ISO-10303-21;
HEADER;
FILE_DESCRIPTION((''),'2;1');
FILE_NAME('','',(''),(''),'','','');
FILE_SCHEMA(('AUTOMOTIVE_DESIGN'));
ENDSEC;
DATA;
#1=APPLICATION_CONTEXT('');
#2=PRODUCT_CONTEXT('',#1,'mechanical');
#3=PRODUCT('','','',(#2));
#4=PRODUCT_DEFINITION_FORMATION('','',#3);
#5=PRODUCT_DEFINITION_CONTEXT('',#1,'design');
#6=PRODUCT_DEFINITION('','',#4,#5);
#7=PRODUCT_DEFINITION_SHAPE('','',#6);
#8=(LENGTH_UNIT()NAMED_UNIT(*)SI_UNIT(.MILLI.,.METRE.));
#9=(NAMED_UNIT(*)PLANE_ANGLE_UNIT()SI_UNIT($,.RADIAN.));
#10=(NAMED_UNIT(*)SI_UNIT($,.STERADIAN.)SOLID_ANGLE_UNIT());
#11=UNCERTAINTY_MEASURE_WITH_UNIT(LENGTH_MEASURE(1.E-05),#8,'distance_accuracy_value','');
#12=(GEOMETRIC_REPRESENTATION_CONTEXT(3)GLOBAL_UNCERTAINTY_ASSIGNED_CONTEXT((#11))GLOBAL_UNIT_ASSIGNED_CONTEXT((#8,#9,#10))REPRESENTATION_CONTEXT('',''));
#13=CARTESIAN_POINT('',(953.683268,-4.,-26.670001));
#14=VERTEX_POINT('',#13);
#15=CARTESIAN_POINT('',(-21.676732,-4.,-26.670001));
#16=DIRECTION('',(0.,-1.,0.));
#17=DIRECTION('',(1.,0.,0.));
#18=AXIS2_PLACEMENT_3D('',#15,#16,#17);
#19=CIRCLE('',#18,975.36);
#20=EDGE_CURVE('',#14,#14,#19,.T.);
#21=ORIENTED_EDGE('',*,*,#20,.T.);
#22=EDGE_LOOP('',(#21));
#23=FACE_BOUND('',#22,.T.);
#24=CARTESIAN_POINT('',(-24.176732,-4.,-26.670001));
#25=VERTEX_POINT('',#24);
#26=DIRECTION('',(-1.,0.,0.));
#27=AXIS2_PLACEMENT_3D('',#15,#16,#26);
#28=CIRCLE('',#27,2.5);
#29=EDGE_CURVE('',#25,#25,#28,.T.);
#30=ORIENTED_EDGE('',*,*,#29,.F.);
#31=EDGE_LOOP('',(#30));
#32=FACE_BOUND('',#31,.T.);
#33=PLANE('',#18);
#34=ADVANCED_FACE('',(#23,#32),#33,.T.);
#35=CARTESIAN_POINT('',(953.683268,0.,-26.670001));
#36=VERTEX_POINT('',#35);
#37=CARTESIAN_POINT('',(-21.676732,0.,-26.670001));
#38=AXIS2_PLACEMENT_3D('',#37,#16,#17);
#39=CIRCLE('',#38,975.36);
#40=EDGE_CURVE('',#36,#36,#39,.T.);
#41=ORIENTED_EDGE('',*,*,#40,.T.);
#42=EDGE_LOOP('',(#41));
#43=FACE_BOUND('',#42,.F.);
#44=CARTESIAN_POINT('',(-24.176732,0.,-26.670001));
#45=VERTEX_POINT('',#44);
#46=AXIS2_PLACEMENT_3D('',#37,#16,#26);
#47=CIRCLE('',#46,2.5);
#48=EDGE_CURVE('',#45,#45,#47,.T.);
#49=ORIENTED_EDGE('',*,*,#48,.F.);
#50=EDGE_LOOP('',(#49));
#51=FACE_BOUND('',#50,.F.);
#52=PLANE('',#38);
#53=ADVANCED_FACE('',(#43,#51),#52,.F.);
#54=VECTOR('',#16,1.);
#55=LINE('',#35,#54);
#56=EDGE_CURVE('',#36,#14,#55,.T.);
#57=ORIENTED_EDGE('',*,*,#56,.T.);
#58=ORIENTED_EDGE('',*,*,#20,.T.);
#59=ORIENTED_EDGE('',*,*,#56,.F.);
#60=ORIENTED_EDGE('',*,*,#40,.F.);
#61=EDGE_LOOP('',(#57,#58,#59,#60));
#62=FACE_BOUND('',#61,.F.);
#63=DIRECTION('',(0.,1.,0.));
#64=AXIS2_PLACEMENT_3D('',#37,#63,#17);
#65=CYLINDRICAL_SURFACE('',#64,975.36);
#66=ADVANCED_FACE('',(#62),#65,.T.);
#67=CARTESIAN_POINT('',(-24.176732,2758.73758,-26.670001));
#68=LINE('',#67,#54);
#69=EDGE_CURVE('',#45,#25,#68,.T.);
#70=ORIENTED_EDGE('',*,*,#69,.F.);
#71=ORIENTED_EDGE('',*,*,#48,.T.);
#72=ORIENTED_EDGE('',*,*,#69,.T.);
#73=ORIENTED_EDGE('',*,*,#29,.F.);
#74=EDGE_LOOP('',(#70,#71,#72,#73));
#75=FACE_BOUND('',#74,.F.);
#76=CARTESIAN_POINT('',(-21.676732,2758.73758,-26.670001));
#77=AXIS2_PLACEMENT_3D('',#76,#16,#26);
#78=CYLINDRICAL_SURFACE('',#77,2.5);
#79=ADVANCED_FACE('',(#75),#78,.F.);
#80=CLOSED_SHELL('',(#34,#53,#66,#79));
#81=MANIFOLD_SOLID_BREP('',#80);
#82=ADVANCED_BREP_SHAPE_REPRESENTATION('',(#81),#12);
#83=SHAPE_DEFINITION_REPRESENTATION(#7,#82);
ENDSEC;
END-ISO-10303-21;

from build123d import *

# Parameters (mm, degrees)
F0_R     = 975.36
F0_R_2   = 152.4
F1_DEPTH = 4
F2_D     = 5


with BuildPart() as f1:
    # F0 (on Front) → F1 (new body)
    with BuildSketch(Plane.XZ):
        with Locations((-21.6767322272, -26.6700014472)):
            Circle(F0_R)
        with Locations((-21.6767322272, -26.6700014472)):
            Circle(F0_R_2, mode=Mode.SUBTRACT)
        with Locations((-21.6767322272, -26.6700014472)):
            Circle(F0_R_2)
    extrude(amount=F1_DEPTH)

    # F2 (through all)
    with Locations(Plane(origin=(0, 0, 0), x_dir=(1, 0, 0), z_dir=(0, 1, 0))):
        with Locations((-21.6767322272, 26.6700014472)):
            Hole(F2_D / 2)


solid = f1.part
